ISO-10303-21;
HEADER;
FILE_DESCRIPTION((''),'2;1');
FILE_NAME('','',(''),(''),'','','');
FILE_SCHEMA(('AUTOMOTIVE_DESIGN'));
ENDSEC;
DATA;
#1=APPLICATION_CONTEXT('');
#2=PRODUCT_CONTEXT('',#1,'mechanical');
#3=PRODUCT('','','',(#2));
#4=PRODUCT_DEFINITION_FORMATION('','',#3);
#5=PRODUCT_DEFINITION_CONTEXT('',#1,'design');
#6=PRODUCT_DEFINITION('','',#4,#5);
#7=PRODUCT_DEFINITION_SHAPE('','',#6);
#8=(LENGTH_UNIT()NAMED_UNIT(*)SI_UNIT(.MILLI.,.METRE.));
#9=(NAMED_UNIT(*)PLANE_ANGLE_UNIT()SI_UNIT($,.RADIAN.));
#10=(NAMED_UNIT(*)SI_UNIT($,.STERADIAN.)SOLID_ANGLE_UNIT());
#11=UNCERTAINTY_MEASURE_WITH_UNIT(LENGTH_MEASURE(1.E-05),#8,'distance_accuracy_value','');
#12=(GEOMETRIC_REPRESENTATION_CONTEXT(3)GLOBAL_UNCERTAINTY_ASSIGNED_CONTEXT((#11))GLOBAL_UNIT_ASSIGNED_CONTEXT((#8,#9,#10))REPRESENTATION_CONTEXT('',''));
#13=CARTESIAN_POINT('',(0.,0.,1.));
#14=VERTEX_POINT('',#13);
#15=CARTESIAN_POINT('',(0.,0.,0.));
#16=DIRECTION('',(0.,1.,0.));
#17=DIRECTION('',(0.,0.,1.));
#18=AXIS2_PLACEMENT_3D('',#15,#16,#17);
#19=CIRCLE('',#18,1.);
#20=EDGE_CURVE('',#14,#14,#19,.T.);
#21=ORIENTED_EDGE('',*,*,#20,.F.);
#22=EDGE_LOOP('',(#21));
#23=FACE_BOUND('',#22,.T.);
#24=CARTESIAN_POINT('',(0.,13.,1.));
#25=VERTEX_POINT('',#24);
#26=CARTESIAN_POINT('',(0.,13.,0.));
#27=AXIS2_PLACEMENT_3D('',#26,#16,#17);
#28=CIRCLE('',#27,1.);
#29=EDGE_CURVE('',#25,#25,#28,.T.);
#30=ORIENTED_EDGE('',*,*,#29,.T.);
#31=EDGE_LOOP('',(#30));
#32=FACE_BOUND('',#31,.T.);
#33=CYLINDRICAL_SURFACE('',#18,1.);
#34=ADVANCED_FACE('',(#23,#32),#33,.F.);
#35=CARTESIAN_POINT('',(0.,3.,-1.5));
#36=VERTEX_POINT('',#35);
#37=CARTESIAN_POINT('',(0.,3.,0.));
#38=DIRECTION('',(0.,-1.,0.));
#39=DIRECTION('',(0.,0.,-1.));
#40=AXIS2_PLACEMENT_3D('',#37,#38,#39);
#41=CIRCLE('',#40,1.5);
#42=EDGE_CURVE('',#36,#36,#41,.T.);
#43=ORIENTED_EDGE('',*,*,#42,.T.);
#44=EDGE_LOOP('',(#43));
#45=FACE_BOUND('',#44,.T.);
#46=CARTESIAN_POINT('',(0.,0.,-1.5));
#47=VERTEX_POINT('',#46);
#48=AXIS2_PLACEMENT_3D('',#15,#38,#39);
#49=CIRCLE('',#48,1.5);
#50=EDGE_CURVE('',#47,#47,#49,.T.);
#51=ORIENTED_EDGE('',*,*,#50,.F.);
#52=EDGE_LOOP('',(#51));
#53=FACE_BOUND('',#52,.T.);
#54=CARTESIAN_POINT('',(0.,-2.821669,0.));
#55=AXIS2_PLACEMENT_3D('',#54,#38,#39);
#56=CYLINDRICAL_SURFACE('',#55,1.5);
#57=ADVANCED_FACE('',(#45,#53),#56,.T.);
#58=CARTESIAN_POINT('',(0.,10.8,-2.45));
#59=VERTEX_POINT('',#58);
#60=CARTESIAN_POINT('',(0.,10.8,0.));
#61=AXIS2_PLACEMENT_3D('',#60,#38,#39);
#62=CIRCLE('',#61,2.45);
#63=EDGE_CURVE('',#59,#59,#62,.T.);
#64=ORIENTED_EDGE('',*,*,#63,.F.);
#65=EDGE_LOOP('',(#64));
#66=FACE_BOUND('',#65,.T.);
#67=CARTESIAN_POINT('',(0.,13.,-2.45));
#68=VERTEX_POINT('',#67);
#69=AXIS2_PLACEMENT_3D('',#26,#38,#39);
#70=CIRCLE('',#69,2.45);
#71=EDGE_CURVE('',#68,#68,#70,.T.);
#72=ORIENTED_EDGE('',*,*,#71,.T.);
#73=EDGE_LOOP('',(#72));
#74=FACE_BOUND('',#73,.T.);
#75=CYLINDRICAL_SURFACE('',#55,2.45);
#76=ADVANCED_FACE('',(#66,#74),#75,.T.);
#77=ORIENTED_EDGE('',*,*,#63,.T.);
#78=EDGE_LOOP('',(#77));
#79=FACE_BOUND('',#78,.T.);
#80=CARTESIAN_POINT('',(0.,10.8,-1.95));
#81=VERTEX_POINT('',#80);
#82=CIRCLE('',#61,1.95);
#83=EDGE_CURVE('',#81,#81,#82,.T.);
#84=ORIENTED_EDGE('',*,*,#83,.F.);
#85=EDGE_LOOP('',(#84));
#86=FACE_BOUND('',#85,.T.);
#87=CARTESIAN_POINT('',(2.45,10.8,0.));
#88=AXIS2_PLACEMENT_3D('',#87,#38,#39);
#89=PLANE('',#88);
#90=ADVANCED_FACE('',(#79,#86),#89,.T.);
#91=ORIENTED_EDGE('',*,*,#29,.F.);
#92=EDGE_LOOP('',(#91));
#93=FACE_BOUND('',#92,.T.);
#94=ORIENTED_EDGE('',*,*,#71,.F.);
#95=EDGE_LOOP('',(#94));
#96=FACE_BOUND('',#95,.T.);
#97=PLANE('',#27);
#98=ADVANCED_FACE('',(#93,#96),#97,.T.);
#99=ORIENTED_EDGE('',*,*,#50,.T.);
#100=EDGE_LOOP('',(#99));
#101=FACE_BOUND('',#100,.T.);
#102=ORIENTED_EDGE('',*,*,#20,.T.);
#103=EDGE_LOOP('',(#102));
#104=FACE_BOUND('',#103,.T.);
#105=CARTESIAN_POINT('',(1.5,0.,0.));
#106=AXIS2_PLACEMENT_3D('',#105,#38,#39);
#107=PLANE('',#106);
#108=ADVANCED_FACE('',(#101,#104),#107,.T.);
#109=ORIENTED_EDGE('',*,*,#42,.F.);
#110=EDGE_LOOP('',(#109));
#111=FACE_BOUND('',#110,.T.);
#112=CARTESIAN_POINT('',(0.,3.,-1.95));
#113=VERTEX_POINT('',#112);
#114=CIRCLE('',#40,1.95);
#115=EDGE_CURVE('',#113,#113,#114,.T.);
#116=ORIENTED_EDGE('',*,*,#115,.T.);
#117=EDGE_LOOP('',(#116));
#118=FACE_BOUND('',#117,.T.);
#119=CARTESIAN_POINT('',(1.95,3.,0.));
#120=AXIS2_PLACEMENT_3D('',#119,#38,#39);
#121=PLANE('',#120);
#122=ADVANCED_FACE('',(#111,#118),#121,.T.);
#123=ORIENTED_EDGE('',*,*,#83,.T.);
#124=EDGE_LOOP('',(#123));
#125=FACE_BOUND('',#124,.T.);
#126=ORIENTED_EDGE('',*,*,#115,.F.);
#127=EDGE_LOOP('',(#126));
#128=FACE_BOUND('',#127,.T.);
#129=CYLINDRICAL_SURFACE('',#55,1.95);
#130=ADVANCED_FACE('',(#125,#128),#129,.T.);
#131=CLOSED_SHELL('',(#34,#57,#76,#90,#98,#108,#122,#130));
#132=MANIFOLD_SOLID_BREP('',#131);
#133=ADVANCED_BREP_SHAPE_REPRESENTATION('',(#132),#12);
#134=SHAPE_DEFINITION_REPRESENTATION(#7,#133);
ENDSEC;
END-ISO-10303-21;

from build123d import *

# Parameters (mm, degrees)
ESQUISSE2_R             = 1
ENL_V_MAT_EXTRU_1_DEPTH = 14


with BuildPart() as part:
    # Esquisse1 → Révolution2 (revolve)
    with BuildSketch(Plane.XY, mode=Mode.PRIVATE) as r_volution2_sk:
        Polygon((0, 13), (2.45, 13), (2.45, 10.8), (1.95, 10.8), (1.95, 3), (1.5, 3), (1.5, 0), (0, 0), align=None)
    revolve(r_volution2_sk.sketch.rotate(Axis((0, -2.821668774, 0), (0, 1, 0)), 90), axis=Axis((0, -2.821668774, 0), (0, 1, 0)))  # turned: the seam where the file's is

    # Esquisse2 → Enlèv. mat.-Extru.1 (cut, through all)
    with BuildSketch(Plane(origin=(0, 13, 0), x_dir=(-1, 0, 0), z_dir=(0, 1, 0))):
        with Locations(Location((0, 0, 0), (0, 0, 90))):  # turned: the seam where the file's is
            Circle(ESQUISSE2_R)
    extrude(amount=-ENL_V_MAT_EXTRU_1_DEPTH, mode=Mode.SUBTRACT)


solid = part.part
